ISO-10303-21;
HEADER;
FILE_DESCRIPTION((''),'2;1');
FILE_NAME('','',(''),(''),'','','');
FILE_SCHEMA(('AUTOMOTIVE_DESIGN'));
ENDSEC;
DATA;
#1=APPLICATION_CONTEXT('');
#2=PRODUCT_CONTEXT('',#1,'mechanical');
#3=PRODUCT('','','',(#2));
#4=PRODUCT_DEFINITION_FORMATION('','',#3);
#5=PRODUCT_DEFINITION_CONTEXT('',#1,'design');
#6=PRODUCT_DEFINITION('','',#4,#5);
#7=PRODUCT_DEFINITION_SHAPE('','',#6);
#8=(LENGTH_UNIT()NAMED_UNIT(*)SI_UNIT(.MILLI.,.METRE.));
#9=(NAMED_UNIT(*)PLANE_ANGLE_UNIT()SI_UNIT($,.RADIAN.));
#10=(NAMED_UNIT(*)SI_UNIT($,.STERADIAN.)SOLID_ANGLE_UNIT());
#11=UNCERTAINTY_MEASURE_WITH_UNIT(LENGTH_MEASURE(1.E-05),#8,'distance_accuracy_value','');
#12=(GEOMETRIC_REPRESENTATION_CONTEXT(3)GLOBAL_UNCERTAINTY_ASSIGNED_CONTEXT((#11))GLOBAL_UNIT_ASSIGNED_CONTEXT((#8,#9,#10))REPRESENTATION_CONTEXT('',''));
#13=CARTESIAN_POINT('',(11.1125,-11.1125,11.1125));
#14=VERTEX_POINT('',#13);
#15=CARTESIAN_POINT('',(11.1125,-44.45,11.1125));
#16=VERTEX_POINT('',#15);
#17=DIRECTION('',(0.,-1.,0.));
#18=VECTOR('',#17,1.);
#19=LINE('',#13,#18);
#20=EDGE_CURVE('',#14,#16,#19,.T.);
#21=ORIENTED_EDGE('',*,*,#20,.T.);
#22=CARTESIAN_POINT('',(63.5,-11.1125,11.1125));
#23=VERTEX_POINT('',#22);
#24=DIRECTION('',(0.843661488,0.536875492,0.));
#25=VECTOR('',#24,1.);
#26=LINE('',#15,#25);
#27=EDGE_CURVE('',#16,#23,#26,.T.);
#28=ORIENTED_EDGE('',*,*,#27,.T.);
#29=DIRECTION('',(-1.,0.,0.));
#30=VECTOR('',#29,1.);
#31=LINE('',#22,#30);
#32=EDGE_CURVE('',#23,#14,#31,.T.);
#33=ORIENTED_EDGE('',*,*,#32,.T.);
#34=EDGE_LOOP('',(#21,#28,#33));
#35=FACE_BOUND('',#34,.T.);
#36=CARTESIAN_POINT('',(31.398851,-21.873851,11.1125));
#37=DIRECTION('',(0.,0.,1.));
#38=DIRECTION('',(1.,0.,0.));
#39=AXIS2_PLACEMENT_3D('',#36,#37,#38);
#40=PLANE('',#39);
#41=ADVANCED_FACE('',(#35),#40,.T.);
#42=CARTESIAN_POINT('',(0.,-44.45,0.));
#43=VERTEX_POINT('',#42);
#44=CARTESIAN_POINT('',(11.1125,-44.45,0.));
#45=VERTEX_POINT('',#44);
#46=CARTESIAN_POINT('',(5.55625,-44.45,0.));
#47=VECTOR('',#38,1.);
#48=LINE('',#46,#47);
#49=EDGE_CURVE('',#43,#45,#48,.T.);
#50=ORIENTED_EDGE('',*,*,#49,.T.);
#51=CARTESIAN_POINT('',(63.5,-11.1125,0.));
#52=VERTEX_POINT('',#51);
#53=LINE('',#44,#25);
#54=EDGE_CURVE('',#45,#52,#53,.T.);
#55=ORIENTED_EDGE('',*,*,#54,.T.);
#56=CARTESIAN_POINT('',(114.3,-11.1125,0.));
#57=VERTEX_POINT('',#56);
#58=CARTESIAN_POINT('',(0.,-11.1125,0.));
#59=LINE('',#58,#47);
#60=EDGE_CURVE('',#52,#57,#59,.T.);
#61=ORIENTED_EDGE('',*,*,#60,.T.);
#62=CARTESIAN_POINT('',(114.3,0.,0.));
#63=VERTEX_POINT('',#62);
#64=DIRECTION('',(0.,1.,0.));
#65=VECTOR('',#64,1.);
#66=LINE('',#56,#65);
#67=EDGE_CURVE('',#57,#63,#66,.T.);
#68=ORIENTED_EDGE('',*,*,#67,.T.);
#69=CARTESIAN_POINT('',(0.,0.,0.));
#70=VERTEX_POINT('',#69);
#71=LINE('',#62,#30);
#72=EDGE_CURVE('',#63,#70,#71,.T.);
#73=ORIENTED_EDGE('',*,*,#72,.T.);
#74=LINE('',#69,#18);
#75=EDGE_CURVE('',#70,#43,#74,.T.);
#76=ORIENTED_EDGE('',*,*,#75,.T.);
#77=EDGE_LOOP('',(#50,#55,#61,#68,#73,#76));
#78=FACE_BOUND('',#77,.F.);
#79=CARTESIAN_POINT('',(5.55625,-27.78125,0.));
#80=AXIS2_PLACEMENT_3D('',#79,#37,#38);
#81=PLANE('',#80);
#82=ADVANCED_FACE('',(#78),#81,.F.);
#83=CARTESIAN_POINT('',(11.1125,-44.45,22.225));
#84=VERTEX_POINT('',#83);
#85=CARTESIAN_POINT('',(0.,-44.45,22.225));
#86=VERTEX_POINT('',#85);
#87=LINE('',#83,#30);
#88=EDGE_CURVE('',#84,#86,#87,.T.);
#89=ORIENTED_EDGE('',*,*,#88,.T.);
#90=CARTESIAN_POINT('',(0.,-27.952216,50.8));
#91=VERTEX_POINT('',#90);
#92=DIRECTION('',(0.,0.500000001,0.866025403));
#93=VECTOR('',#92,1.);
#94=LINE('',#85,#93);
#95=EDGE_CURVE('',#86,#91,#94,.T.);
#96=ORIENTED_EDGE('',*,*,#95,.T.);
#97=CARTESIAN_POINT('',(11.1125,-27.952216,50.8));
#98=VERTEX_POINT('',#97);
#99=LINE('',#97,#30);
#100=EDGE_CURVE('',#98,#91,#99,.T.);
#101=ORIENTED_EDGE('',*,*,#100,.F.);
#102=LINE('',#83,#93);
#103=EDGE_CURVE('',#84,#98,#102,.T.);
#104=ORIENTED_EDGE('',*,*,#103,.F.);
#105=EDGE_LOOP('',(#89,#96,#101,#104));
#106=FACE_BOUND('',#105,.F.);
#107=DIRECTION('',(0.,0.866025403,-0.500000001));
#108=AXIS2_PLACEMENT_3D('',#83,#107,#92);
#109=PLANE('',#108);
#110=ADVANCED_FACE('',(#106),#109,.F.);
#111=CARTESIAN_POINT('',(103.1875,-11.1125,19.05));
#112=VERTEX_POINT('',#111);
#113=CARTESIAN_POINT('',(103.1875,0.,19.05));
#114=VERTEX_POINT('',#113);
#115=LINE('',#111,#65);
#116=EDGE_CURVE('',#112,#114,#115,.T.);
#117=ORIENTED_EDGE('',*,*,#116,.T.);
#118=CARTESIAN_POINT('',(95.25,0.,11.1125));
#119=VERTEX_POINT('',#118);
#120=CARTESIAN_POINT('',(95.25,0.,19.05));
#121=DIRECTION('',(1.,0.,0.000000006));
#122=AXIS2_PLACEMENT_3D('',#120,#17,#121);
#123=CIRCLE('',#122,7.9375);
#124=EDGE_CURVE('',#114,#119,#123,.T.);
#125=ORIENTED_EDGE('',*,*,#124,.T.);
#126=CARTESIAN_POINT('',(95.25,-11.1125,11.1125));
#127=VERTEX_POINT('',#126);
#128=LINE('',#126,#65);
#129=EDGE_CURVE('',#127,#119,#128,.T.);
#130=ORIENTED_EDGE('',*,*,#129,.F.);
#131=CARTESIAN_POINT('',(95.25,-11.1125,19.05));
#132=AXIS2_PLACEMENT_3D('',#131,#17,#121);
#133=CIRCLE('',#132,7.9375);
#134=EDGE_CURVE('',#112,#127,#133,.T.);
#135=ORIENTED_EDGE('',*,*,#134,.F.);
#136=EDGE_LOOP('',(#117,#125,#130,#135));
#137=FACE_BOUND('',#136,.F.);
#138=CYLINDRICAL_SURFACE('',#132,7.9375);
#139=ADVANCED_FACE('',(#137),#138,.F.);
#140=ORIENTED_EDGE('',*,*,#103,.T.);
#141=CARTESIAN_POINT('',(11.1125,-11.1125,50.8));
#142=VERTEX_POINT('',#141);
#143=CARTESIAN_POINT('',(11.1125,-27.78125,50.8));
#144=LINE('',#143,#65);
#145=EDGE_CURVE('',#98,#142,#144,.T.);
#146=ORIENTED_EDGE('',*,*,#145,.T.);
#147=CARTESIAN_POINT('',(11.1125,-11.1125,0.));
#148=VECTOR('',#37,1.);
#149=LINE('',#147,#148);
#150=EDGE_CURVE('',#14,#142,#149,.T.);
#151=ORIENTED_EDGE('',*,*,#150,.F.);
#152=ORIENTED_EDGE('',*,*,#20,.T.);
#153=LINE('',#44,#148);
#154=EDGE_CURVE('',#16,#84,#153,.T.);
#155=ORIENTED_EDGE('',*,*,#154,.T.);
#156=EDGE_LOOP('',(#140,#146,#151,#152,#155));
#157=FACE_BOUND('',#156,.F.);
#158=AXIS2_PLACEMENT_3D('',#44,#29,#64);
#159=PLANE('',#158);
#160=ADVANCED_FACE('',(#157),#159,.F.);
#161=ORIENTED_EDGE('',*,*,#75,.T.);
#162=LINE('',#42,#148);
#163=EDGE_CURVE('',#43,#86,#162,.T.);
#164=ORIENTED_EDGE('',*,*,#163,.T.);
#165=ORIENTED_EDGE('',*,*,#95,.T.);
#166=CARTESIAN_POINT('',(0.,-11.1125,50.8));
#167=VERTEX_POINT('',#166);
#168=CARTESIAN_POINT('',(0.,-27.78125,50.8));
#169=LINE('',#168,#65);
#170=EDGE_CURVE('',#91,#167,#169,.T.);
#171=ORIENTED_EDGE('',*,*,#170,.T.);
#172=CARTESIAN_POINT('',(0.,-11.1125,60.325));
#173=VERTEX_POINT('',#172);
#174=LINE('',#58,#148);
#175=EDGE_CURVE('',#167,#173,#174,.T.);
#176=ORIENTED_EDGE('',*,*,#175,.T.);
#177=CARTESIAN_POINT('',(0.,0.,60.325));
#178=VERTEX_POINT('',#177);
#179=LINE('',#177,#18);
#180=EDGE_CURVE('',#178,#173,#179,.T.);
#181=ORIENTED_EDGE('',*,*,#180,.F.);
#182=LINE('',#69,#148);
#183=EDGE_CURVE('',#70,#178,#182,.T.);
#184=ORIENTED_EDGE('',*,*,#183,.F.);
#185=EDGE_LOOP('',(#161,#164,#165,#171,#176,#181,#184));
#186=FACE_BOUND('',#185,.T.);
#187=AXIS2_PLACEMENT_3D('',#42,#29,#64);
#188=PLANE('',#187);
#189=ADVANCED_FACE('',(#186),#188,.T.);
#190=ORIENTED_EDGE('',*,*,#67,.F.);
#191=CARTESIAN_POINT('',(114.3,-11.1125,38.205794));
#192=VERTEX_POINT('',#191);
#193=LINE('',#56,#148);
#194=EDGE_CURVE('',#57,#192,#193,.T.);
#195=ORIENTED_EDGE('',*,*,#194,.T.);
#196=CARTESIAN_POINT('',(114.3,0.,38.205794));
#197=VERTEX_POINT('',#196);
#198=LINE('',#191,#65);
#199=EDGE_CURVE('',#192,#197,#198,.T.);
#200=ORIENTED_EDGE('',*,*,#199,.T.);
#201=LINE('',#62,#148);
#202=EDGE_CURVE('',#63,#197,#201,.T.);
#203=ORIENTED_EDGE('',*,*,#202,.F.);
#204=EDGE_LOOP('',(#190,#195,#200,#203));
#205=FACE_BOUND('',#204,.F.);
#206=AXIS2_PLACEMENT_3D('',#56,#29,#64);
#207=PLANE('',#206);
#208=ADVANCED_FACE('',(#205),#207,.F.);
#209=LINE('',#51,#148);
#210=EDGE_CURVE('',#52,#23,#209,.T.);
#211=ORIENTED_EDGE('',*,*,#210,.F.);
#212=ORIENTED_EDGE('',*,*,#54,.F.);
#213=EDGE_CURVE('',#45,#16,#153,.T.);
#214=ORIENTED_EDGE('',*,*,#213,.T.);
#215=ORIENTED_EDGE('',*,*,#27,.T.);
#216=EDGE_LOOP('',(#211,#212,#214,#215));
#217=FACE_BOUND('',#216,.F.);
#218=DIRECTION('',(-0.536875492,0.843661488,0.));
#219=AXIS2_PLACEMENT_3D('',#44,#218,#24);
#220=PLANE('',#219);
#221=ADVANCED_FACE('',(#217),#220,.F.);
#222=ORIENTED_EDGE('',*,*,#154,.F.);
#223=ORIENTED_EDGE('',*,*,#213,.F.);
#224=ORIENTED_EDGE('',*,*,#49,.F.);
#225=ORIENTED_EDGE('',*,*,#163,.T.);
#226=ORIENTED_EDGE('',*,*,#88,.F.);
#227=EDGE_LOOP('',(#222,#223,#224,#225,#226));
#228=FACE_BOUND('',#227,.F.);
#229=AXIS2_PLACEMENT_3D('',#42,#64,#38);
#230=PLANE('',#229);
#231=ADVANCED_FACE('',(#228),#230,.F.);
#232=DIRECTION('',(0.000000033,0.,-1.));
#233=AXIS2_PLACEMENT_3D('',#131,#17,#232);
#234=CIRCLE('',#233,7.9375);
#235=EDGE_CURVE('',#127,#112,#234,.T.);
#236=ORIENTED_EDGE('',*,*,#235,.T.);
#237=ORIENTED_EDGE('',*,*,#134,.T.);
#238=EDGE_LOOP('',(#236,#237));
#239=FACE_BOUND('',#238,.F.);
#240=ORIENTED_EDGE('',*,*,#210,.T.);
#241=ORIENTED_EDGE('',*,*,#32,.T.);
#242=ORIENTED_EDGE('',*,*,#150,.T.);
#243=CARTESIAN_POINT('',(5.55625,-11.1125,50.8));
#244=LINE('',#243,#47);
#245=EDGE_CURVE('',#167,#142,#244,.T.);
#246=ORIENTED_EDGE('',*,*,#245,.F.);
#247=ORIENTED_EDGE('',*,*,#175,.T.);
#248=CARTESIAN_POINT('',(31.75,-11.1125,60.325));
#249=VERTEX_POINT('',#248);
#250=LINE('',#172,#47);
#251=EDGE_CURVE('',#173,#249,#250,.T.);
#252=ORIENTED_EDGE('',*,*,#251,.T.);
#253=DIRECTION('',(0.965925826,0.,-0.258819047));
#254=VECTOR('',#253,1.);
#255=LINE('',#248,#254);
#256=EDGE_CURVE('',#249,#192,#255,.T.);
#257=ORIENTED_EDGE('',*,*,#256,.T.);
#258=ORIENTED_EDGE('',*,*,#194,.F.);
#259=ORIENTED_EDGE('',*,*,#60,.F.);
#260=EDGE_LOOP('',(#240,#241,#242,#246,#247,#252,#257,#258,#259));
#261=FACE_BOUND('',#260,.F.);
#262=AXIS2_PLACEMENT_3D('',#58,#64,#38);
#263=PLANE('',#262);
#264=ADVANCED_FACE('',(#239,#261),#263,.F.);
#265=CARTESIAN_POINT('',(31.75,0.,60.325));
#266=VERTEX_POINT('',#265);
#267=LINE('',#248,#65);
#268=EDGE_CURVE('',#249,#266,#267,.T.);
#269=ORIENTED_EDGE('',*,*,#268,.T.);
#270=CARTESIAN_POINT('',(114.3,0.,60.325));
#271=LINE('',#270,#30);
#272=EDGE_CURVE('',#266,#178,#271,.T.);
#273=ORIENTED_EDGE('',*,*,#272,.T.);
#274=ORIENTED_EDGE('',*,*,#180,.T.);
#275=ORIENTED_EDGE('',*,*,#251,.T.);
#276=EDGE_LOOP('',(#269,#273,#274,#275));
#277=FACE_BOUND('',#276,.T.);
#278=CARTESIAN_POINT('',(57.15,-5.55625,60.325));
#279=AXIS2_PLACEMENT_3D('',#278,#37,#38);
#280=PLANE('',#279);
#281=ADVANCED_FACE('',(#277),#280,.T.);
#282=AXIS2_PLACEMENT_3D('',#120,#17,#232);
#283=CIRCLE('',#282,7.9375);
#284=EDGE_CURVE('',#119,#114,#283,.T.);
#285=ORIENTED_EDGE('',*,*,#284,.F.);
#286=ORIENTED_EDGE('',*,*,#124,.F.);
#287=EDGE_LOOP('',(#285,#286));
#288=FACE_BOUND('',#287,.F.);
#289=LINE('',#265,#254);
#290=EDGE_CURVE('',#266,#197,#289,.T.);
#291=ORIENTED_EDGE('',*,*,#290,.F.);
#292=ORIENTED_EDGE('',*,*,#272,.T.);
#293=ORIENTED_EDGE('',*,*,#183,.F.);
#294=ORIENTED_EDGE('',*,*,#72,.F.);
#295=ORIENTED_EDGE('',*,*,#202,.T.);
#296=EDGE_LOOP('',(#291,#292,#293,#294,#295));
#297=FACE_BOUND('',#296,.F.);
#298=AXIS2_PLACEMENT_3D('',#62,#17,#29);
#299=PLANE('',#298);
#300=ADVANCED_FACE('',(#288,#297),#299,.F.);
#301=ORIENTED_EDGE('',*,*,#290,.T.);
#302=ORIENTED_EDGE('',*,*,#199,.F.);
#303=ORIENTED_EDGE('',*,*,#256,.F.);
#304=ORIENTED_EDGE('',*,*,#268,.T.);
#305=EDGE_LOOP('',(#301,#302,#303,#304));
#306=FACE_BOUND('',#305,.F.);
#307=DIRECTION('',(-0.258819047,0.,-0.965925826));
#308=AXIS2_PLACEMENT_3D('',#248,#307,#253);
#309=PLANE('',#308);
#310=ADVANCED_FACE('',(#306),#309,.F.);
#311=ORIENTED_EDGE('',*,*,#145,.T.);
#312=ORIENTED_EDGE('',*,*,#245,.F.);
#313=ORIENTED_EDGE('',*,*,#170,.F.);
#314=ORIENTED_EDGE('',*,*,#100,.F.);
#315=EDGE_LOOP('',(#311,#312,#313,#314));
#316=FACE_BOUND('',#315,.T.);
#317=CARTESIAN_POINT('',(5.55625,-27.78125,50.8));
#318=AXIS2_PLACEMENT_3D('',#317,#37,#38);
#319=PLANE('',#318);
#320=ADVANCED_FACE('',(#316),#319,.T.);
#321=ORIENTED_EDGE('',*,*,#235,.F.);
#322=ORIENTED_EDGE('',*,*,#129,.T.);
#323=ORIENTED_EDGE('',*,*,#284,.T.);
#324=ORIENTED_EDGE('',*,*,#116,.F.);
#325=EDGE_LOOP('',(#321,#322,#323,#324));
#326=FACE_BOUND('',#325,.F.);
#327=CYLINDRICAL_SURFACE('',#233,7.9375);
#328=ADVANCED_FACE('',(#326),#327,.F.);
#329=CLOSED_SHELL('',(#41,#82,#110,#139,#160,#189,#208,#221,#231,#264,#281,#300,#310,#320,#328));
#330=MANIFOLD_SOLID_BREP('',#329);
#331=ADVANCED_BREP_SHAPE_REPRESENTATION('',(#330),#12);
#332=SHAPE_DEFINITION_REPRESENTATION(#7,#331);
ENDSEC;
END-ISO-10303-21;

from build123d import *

# Parameters (mm, degrees)
F1_DEPTH = 60.325
F2_DEPTH = 11.1125
F4_DEPTH = 11.1125
F0_W     = 11.1125
F0_H     = 33.3375
F5_DEPTH = 50.8
F6_DEPTH = 25.4
F8_DEPTH = 11.1125


with BuildPart() as f1:
    # F0 (on Top) → F1 (new body)
    with BuildSketch(Plane.XY):
        Polygon((114.3, 0), (0, 0), (0, -11.1125), (11.1125, -11.1125), (63.5, -11.1125), (114.3, -11.1125), align=None)
    extrude(amount=F1_DEPTH)

    # F0 (on Top) → F2 (join)
    with BuildSketch(Plane.XY):
        Polygon((63.5, -11.1125), (11.1125, -11.1125), (11.1125, -44.45), align=None)
    extrude(amount=F2_DEPTH)

    # F3 (on face) → F4 (cut)
    with BuildSketch(Plane.XZ.offset(11.1125)):
        Polygon((114.3, 60.325), (31.75, 60.325), (114.3, 38.205794), align=None)
    extrude(amount=-F4_DEPTH, mode=Mode.SUBTRACT)

    # F0 (on Top) → F5 (join)
    with BuildSketch(Plane.XY):
        with Locations((5.55625, -27.78125)):
            Rectangle(F0_W, F0_H)
    extrude(amount=F5_DEPTH)

    # F3 (on face) → F6 (cut)
    with BuildSketch(Plane.XZ.offset(11.1125)):
        with BuildLine():
            ThreePointArc((103.1875, 19.05), (89.63734, 24.66266), (95.25, 11.1125))
            ThreePointArc((95.25, 11.1125), (100.86266, 13.43734), (103.1875, 19.05))
        make_face()
    extrude(amount=-F6_DEPTH, mode=Mode.SUBTRACT)

    # F7 (on face) → F8 (cut)
    with BuildSketch(Plane.YZ.offset(11.1125)):
        Polygon((-44.45, 50.8), (-44.45, 22.225), (-27.952216, 50.8), align=None)
    extrude(amount=-F8_DEPTH, mode=Mode.SUBTRACT)


solid = f1.part
